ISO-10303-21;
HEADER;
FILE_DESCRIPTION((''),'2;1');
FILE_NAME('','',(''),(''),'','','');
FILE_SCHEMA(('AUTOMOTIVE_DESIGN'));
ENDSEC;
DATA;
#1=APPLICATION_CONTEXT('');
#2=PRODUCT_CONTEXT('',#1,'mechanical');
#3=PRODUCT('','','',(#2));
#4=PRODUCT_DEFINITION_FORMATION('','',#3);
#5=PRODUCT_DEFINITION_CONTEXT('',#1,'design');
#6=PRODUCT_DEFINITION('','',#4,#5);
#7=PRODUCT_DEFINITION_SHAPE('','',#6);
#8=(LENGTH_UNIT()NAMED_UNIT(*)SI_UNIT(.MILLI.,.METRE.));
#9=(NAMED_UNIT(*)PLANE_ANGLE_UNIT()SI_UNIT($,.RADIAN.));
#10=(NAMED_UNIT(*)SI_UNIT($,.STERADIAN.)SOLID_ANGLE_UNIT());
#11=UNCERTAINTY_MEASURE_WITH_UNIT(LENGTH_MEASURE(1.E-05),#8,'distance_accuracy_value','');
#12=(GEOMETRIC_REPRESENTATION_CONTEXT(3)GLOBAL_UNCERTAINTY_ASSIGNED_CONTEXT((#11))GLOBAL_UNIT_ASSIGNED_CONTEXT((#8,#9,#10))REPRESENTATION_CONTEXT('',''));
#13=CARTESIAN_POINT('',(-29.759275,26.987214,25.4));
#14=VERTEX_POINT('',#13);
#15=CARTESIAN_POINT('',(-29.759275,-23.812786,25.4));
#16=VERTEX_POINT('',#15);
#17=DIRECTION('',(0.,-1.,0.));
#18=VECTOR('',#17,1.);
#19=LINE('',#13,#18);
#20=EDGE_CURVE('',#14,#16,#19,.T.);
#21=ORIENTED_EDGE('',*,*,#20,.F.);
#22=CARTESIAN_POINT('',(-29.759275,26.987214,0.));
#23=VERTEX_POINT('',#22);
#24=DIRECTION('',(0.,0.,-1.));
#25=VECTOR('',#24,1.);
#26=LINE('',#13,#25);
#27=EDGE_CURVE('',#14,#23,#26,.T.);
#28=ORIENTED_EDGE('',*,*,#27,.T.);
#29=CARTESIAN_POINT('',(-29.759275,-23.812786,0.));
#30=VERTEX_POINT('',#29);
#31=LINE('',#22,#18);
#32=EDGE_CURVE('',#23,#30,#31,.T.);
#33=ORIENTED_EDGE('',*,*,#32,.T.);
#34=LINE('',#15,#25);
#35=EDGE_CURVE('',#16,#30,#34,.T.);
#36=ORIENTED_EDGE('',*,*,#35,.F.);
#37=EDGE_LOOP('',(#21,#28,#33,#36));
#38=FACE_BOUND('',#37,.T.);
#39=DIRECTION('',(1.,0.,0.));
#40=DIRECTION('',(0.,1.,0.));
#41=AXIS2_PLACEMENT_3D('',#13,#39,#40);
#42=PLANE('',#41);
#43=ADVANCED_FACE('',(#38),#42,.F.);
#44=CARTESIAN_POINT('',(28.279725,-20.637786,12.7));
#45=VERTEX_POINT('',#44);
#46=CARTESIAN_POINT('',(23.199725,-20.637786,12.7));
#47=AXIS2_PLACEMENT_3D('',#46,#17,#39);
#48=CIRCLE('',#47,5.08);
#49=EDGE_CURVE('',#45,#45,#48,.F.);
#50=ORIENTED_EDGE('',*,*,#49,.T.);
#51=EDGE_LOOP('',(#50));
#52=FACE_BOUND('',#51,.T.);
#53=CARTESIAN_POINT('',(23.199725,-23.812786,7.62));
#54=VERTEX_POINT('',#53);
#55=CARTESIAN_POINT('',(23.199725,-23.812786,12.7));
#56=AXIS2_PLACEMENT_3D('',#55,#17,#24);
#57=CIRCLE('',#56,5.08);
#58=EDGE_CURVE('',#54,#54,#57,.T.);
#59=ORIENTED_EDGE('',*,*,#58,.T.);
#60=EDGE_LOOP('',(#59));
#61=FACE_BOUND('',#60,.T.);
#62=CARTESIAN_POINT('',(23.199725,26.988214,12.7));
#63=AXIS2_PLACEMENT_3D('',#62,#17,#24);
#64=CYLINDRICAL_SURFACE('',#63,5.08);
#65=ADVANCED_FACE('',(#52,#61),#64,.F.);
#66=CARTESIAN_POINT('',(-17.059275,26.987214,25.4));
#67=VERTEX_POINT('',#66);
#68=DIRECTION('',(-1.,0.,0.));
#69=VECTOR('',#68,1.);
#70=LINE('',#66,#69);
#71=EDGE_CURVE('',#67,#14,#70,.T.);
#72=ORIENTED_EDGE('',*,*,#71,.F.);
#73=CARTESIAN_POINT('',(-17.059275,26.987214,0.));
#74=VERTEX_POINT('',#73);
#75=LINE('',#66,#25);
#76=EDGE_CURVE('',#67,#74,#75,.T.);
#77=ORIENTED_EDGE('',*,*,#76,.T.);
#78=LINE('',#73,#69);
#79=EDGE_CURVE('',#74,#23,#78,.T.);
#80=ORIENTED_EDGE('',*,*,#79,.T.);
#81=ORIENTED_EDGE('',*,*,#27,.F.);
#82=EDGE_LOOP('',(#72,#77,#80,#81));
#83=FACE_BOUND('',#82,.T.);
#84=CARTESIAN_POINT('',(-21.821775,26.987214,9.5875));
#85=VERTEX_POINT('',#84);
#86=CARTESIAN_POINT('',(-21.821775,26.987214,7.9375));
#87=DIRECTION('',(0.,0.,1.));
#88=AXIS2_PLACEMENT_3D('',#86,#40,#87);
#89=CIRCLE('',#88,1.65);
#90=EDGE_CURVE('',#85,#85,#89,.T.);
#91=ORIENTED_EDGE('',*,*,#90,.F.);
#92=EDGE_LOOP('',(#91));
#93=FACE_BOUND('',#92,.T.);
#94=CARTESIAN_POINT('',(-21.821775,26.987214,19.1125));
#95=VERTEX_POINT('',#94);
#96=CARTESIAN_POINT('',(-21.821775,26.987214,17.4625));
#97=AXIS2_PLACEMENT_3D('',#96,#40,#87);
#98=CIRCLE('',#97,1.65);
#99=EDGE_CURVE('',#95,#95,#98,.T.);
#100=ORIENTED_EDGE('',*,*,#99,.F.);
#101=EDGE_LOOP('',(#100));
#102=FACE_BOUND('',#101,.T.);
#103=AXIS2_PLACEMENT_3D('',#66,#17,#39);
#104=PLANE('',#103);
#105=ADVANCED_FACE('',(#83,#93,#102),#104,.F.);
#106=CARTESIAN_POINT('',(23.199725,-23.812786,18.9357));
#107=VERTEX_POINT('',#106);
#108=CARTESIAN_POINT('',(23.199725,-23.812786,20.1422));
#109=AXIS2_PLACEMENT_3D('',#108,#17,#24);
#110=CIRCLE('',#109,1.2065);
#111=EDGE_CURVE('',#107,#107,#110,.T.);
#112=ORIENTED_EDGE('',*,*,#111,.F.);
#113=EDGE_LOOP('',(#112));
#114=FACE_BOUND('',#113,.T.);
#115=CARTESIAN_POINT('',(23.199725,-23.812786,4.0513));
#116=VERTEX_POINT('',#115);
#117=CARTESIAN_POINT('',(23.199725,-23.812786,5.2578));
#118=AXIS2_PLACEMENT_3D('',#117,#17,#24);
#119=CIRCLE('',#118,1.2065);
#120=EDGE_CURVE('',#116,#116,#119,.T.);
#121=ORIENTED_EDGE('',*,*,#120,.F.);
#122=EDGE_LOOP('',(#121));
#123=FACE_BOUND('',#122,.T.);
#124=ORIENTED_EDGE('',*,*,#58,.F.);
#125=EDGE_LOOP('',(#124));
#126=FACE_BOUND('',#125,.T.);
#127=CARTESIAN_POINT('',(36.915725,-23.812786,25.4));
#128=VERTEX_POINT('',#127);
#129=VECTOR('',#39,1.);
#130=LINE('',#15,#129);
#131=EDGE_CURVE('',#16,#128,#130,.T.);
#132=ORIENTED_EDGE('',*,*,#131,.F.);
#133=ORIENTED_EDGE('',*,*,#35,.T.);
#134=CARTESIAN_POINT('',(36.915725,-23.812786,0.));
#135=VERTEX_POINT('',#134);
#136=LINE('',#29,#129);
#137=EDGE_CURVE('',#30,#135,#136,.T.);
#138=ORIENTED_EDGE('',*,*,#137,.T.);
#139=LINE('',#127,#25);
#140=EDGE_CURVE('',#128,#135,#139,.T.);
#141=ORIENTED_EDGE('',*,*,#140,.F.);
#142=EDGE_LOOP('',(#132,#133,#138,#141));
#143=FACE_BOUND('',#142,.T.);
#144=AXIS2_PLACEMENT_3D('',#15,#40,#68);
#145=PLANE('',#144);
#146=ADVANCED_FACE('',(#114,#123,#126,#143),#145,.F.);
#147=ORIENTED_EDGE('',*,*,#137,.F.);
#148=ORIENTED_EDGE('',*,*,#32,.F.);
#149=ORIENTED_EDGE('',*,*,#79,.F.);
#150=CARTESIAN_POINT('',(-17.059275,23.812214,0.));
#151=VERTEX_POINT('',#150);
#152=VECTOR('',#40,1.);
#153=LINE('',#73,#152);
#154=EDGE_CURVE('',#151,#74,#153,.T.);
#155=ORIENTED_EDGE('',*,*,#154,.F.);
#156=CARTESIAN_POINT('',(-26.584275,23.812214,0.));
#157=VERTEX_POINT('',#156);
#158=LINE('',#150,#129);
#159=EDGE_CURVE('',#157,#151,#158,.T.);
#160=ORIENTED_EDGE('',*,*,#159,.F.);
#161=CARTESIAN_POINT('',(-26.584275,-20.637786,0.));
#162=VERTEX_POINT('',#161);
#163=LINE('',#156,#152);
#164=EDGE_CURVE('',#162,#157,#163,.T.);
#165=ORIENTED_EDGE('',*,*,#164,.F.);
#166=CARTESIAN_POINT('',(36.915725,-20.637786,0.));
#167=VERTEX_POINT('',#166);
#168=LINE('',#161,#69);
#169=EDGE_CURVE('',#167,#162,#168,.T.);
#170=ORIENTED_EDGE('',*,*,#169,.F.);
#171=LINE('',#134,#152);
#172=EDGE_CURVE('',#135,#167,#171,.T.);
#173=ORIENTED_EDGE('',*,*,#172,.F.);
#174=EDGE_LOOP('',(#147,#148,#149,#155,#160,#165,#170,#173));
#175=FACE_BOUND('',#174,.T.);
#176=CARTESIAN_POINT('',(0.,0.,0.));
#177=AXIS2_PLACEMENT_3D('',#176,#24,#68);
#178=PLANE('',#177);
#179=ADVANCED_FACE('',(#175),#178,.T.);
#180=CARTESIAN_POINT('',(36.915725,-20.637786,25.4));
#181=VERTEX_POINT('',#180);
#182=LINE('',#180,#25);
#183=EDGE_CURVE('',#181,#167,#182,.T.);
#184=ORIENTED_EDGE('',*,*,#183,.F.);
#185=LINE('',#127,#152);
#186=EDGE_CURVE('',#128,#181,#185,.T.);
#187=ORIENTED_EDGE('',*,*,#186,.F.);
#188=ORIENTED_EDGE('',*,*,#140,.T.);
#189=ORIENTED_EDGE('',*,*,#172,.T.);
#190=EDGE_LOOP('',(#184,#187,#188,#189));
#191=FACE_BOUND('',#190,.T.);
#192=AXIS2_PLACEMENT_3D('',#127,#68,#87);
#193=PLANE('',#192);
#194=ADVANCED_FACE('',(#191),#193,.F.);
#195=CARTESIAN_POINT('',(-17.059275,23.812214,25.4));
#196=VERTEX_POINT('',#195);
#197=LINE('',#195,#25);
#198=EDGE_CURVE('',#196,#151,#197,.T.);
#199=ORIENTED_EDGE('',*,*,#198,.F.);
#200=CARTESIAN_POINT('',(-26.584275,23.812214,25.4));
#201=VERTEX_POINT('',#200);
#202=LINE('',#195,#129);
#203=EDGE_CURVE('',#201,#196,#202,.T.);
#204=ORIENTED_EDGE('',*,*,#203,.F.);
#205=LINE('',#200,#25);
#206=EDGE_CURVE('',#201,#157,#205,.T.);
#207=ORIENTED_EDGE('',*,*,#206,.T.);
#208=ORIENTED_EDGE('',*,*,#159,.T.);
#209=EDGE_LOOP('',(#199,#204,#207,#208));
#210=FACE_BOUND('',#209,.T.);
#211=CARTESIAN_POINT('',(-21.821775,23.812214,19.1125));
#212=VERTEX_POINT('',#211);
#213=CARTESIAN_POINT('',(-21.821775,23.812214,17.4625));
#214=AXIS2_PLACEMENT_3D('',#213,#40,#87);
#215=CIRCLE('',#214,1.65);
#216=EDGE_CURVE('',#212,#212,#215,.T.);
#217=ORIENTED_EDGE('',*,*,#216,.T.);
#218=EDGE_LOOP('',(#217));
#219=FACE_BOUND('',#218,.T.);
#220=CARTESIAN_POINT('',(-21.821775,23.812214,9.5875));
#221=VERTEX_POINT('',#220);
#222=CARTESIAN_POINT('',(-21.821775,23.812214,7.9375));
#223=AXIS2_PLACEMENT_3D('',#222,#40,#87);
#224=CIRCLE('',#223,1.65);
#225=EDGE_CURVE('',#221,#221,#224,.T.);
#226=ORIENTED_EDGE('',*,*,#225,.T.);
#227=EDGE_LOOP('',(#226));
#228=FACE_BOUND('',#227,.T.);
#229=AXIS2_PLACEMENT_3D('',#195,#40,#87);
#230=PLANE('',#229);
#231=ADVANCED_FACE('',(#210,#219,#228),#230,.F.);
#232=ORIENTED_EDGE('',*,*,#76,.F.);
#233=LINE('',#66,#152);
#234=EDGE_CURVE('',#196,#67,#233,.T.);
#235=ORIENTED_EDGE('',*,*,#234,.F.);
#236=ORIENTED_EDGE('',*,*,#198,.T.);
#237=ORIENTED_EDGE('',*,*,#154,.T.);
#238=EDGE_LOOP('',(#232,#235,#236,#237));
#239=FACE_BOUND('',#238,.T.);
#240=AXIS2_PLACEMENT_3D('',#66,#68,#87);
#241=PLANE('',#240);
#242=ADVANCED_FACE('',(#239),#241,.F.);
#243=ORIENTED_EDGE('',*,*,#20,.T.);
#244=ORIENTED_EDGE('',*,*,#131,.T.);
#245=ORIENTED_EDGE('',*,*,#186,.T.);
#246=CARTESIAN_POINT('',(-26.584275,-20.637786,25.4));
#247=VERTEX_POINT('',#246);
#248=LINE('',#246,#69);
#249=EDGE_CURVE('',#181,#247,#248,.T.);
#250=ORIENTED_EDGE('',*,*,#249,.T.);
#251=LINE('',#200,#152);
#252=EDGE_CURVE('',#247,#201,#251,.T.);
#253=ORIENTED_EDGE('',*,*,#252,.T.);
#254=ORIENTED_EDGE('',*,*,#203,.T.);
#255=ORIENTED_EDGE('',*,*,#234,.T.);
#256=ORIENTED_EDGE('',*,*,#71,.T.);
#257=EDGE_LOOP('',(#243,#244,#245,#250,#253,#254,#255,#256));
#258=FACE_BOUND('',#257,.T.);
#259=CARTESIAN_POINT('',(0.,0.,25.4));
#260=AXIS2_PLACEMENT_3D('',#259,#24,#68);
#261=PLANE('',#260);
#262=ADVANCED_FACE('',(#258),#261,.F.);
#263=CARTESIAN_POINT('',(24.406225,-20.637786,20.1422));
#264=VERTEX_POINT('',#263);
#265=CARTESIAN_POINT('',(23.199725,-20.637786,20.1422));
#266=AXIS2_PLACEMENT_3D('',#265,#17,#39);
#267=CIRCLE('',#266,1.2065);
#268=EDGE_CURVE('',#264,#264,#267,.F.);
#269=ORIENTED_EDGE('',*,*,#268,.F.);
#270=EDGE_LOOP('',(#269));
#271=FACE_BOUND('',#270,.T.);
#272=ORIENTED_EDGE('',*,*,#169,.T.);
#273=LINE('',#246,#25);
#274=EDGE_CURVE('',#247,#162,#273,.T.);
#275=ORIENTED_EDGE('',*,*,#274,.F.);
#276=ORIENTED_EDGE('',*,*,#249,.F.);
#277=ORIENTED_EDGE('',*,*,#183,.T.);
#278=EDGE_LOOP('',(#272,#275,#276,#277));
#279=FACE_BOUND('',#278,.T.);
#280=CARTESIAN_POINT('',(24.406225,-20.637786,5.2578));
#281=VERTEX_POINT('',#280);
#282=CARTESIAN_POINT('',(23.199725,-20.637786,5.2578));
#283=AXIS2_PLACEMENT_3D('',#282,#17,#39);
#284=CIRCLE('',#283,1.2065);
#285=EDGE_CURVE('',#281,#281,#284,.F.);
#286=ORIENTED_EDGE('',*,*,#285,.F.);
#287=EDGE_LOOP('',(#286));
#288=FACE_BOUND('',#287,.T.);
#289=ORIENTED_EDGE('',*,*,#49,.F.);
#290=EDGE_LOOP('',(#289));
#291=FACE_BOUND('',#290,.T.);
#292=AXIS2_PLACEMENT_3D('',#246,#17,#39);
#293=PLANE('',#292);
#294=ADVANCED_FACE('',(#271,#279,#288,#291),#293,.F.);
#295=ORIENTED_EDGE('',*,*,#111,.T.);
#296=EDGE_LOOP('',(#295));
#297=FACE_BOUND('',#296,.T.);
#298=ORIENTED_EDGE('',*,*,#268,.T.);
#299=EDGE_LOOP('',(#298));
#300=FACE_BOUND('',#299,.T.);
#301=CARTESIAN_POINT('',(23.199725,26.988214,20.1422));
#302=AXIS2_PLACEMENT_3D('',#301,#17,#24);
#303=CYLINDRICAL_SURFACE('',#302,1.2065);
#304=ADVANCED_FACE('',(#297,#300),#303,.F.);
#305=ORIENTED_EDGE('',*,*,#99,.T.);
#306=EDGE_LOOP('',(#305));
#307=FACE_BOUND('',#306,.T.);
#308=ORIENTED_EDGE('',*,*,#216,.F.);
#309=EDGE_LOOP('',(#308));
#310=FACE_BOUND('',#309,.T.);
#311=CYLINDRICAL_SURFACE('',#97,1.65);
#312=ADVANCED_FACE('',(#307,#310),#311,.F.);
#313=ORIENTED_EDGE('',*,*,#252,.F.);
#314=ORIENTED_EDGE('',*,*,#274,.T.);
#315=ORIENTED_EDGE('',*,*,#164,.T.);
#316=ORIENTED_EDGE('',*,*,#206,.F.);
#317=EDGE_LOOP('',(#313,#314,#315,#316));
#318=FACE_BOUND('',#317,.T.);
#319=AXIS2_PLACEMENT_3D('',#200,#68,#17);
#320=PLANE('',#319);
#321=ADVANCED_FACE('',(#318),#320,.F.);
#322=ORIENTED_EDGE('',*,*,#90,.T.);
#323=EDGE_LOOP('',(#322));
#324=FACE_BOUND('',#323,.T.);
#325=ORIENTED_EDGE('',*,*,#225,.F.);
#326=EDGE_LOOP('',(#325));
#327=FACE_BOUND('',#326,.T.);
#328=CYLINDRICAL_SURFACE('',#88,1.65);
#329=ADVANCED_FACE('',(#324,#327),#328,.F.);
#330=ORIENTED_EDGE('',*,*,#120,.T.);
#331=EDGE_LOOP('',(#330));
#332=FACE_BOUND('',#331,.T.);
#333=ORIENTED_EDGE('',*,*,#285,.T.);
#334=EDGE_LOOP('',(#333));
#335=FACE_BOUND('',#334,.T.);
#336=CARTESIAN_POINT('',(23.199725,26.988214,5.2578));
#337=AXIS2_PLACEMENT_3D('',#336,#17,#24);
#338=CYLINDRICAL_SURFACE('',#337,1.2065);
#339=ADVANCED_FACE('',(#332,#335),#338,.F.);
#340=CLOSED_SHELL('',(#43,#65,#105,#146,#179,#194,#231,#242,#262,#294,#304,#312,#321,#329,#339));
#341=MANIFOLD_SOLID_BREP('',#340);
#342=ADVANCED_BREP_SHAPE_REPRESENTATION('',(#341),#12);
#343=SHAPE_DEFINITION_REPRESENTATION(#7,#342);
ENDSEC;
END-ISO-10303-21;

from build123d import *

# Parameters (mm, degrees)
BOSS_EXTRUDE1_DEPTH       = 25.4
M4X0_7_TAPPED_HOLE1_D     = 3.3
M4X0_7_TAPPED_HOLE1_DEPTH = 9.906
M4X0_7_TAPPED_HOLE1_TIP   = 0.991420021
CUT_EXTRUDE1_REACH        = 69.739
SKETCH7_R                 = 5.08
SKETCH7_R_2               = 1.2065


with BuildPart() as part:
    # Sketch1 → Boss-Extrude1 (new body)
    with BuildSketch(Plane.XY):
        Polygon((-17.059275079, 26.987213855), (-29.759275079, 26.987213855), (-29.759275079, -23.812786145), (36.915724921, -23.812786145), (36.915724921, -20.637786145), (-26.584275079, -20.637786145), (-26.584275079, 23.812213855), (-17.059275079, 23.812213855), align=None)
    extrude(amount=BOSS_EXTRUDE1_DEPTH)

    # M4x0.7 Tapped Hole1
    with Locations(Plane(origin=(0, 26.987213855, 0), x_dir=(1, 0, 0), z_dir=(0, 1, 0))):
        with Locations((-21.821775079, -7.9375), (-21.821775079, -17.4625)):
            Hole(M4X0_7_TAPPED_HOLE1_D / 2, depth=M4X0_7_TAPPED_HOLE1_DEPTH)
            with Locations((0, 0, -(M4X0_7_TAPPED_HOLE1_DEPTH + M4X0_7_TAPPED_HOLE1_TIP / 2))):  # 118° drill point
                Cone(0, M4X0_7_TAPPED_HOLE1_D / 2, M4X0_7_TAPPED_HOLE1_TIP, mode=Mode.SUBTRACT)

    # Sketch7 → Cut-Extrude1 (cut, up to next)
    with BuildSketch(Plane.XZ.offset(23.812786145), mode=Mode.PRIVATE) as cut_extrude1_sk1:
        with Locations(Location((23.199724921, 12.7, 0), (0, 0, 270))):
            Circle(SKETCH7_R)
    cut_extrude1_tool1 = extrude(cut_extrude1_sk1.sketch, amount=-CUT_EXTRUDE1_REACH, mode=Mode.PRIVATE) & part.part
    # Sketch7 → Cut-Extrude1 (cut, up to next)
    with BuildSketch(Plane.XZ.offset(23.812786145), mode=Mode.PRIVATE) as cut_extrude1_sk2:
        with Locations(Location((23.199724921, 5.2578, 0), (0, 0, 270))):
            Circle(SKETCH7_R_2)
    cut_extrude1_tool2 = extrude(cut_extrude1_sk2.sketch, amount=-CUT_EXTRUDE1_REACH, mode=Mode.PRIVATE) & part.part
    # Sketch7 → Cut-Extrude1 (cut, up to next)
    with BuildSketch(Plane.XZ.offset(23.812786145), mode=Mode.PRIVATE) as cut_extrude1_sk3:
        with Locations(Location((23.199724921, 20.1422, 0), (0, 0, 270))):
            Circle(SKETCH7_R_2)
    cut_extrude1_tool3 = extrude(cut_extrude1_sk3.sketch, amount=-CUT_EXTRUDE1_REACH, mode=Mode.PRIVATE) & part.part
    add(cut_extrude1_tool1.solids().sort_by_distance((23.199725, -23.812786, 12.7))[0], mode=Mode.SUBTRACT)
    add(cut_extrude1_tool2.solids().sort_by_distance((23.199725, -23.812786, 5.2578))[0], mode=Mode.SUBTRACT)
    add(cut_extrude1_tool3.solids().sort_by_distance((23.199725, -23.812786, 20.1422))[0], mode=Mode.SUBTRACT)


solid = part.part
